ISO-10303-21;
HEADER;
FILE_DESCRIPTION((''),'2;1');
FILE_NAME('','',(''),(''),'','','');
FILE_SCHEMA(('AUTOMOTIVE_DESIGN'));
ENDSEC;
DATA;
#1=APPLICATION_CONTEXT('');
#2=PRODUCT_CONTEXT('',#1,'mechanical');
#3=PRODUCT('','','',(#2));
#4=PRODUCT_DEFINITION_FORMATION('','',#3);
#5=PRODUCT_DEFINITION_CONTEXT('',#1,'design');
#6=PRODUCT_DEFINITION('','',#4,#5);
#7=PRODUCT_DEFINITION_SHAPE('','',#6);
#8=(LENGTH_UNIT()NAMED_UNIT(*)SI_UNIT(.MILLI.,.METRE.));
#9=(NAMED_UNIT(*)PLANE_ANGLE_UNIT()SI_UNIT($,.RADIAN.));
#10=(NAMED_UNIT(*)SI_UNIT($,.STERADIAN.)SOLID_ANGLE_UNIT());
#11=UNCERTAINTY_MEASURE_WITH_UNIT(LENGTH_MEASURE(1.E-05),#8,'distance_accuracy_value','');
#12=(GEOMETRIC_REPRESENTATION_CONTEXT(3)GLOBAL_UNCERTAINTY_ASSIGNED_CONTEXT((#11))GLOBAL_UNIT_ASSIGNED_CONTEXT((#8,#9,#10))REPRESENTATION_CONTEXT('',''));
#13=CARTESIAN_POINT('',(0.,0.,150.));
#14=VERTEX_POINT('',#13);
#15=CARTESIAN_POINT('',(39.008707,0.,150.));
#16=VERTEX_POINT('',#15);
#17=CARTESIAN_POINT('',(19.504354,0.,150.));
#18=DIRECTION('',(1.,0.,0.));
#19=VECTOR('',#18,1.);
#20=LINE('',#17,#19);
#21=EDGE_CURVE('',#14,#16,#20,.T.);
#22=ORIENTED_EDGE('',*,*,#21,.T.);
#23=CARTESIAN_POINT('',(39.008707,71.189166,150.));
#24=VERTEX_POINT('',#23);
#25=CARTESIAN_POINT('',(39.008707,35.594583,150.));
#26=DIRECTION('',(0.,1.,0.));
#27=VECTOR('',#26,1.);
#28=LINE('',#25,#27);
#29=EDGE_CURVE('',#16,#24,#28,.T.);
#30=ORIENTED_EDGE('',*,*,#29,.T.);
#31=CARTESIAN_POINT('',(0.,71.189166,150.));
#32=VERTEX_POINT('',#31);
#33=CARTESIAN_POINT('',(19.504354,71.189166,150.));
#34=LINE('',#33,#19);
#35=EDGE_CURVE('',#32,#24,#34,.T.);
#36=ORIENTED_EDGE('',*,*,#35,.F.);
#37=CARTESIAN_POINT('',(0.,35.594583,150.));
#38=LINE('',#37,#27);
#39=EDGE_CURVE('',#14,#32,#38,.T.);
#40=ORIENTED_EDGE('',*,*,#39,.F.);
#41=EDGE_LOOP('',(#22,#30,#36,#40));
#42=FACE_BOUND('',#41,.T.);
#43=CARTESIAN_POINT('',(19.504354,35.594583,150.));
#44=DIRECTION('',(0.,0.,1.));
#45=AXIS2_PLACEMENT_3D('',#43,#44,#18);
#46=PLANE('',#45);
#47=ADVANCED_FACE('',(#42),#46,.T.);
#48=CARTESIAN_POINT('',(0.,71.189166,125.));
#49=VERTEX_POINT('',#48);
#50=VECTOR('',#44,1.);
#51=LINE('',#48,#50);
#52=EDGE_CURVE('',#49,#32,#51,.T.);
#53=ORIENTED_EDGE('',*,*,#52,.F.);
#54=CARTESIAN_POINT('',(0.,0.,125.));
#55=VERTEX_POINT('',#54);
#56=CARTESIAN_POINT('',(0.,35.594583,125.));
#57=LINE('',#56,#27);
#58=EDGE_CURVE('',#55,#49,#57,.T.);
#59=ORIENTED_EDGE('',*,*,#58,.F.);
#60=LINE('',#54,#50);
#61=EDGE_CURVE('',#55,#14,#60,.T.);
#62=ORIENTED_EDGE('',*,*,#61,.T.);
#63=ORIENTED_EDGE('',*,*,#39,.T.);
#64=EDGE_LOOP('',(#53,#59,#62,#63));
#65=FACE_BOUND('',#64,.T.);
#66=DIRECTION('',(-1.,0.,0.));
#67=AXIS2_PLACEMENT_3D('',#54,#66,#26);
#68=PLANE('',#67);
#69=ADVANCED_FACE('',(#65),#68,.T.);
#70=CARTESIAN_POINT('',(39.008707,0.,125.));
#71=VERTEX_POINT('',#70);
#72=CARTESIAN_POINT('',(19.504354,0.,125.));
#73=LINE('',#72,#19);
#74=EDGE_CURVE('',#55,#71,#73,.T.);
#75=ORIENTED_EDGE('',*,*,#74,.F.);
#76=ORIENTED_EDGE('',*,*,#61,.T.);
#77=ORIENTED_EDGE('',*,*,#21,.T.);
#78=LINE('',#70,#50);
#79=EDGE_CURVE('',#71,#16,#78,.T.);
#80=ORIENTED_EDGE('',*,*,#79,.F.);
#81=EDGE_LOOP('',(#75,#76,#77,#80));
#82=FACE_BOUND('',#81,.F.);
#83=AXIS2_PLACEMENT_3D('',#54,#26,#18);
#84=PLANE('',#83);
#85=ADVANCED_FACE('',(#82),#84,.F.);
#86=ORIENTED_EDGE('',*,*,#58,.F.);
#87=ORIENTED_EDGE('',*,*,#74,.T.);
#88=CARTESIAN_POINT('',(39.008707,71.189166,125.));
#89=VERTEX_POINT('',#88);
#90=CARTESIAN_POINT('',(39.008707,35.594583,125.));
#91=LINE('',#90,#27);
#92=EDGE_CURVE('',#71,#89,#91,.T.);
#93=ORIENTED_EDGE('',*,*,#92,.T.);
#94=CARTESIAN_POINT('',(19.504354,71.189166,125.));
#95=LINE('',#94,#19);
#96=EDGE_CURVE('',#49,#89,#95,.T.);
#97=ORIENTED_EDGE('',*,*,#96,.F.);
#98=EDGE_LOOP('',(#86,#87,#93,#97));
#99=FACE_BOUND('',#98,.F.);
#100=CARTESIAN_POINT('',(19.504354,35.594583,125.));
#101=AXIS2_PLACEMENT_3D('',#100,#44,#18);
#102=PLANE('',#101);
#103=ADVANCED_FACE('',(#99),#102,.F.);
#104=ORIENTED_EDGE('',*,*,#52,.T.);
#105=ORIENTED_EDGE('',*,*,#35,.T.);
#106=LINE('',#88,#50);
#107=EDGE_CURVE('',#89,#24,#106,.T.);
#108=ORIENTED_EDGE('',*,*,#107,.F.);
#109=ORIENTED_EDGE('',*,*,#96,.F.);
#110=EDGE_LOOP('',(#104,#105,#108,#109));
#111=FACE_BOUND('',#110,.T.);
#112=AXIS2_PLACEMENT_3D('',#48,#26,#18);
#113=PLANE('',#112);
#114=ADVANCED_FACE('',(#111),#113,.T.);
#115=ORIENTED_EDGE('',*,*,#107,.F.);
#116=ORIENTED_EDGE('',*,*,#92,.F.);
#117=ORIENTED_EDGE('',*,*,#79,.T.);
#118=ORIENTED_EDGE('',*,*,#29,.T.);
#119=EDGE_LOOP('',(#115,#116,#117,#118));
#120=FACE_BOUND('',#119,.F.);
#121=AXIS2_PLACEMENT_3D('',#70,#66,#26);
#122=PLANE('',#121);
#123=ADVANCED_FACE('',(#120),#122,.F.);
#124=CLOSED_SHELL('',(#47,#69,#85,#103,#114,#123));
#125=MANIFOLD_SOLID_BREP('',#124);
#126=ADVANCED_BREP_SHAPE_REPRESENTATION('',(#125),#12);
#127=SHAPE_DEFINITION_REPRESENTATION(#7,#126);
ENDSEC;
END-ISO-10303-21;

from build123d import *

# Parameters (mm, degrees)
F1_W     = 39.008707
F1_H     = 71.189165
F2_DEPTH = 25


with BuildPart() as f2:
    # F1 (on offset) → F2 (new body)
    with BuildSketch(Plane.XY.offset(125)):
        with Locations((19.504354, 35.594583)):
            Rectangle(F1_W, F1_H)
    extrude(amount=F2_DEPTH)


solid = f2.part
